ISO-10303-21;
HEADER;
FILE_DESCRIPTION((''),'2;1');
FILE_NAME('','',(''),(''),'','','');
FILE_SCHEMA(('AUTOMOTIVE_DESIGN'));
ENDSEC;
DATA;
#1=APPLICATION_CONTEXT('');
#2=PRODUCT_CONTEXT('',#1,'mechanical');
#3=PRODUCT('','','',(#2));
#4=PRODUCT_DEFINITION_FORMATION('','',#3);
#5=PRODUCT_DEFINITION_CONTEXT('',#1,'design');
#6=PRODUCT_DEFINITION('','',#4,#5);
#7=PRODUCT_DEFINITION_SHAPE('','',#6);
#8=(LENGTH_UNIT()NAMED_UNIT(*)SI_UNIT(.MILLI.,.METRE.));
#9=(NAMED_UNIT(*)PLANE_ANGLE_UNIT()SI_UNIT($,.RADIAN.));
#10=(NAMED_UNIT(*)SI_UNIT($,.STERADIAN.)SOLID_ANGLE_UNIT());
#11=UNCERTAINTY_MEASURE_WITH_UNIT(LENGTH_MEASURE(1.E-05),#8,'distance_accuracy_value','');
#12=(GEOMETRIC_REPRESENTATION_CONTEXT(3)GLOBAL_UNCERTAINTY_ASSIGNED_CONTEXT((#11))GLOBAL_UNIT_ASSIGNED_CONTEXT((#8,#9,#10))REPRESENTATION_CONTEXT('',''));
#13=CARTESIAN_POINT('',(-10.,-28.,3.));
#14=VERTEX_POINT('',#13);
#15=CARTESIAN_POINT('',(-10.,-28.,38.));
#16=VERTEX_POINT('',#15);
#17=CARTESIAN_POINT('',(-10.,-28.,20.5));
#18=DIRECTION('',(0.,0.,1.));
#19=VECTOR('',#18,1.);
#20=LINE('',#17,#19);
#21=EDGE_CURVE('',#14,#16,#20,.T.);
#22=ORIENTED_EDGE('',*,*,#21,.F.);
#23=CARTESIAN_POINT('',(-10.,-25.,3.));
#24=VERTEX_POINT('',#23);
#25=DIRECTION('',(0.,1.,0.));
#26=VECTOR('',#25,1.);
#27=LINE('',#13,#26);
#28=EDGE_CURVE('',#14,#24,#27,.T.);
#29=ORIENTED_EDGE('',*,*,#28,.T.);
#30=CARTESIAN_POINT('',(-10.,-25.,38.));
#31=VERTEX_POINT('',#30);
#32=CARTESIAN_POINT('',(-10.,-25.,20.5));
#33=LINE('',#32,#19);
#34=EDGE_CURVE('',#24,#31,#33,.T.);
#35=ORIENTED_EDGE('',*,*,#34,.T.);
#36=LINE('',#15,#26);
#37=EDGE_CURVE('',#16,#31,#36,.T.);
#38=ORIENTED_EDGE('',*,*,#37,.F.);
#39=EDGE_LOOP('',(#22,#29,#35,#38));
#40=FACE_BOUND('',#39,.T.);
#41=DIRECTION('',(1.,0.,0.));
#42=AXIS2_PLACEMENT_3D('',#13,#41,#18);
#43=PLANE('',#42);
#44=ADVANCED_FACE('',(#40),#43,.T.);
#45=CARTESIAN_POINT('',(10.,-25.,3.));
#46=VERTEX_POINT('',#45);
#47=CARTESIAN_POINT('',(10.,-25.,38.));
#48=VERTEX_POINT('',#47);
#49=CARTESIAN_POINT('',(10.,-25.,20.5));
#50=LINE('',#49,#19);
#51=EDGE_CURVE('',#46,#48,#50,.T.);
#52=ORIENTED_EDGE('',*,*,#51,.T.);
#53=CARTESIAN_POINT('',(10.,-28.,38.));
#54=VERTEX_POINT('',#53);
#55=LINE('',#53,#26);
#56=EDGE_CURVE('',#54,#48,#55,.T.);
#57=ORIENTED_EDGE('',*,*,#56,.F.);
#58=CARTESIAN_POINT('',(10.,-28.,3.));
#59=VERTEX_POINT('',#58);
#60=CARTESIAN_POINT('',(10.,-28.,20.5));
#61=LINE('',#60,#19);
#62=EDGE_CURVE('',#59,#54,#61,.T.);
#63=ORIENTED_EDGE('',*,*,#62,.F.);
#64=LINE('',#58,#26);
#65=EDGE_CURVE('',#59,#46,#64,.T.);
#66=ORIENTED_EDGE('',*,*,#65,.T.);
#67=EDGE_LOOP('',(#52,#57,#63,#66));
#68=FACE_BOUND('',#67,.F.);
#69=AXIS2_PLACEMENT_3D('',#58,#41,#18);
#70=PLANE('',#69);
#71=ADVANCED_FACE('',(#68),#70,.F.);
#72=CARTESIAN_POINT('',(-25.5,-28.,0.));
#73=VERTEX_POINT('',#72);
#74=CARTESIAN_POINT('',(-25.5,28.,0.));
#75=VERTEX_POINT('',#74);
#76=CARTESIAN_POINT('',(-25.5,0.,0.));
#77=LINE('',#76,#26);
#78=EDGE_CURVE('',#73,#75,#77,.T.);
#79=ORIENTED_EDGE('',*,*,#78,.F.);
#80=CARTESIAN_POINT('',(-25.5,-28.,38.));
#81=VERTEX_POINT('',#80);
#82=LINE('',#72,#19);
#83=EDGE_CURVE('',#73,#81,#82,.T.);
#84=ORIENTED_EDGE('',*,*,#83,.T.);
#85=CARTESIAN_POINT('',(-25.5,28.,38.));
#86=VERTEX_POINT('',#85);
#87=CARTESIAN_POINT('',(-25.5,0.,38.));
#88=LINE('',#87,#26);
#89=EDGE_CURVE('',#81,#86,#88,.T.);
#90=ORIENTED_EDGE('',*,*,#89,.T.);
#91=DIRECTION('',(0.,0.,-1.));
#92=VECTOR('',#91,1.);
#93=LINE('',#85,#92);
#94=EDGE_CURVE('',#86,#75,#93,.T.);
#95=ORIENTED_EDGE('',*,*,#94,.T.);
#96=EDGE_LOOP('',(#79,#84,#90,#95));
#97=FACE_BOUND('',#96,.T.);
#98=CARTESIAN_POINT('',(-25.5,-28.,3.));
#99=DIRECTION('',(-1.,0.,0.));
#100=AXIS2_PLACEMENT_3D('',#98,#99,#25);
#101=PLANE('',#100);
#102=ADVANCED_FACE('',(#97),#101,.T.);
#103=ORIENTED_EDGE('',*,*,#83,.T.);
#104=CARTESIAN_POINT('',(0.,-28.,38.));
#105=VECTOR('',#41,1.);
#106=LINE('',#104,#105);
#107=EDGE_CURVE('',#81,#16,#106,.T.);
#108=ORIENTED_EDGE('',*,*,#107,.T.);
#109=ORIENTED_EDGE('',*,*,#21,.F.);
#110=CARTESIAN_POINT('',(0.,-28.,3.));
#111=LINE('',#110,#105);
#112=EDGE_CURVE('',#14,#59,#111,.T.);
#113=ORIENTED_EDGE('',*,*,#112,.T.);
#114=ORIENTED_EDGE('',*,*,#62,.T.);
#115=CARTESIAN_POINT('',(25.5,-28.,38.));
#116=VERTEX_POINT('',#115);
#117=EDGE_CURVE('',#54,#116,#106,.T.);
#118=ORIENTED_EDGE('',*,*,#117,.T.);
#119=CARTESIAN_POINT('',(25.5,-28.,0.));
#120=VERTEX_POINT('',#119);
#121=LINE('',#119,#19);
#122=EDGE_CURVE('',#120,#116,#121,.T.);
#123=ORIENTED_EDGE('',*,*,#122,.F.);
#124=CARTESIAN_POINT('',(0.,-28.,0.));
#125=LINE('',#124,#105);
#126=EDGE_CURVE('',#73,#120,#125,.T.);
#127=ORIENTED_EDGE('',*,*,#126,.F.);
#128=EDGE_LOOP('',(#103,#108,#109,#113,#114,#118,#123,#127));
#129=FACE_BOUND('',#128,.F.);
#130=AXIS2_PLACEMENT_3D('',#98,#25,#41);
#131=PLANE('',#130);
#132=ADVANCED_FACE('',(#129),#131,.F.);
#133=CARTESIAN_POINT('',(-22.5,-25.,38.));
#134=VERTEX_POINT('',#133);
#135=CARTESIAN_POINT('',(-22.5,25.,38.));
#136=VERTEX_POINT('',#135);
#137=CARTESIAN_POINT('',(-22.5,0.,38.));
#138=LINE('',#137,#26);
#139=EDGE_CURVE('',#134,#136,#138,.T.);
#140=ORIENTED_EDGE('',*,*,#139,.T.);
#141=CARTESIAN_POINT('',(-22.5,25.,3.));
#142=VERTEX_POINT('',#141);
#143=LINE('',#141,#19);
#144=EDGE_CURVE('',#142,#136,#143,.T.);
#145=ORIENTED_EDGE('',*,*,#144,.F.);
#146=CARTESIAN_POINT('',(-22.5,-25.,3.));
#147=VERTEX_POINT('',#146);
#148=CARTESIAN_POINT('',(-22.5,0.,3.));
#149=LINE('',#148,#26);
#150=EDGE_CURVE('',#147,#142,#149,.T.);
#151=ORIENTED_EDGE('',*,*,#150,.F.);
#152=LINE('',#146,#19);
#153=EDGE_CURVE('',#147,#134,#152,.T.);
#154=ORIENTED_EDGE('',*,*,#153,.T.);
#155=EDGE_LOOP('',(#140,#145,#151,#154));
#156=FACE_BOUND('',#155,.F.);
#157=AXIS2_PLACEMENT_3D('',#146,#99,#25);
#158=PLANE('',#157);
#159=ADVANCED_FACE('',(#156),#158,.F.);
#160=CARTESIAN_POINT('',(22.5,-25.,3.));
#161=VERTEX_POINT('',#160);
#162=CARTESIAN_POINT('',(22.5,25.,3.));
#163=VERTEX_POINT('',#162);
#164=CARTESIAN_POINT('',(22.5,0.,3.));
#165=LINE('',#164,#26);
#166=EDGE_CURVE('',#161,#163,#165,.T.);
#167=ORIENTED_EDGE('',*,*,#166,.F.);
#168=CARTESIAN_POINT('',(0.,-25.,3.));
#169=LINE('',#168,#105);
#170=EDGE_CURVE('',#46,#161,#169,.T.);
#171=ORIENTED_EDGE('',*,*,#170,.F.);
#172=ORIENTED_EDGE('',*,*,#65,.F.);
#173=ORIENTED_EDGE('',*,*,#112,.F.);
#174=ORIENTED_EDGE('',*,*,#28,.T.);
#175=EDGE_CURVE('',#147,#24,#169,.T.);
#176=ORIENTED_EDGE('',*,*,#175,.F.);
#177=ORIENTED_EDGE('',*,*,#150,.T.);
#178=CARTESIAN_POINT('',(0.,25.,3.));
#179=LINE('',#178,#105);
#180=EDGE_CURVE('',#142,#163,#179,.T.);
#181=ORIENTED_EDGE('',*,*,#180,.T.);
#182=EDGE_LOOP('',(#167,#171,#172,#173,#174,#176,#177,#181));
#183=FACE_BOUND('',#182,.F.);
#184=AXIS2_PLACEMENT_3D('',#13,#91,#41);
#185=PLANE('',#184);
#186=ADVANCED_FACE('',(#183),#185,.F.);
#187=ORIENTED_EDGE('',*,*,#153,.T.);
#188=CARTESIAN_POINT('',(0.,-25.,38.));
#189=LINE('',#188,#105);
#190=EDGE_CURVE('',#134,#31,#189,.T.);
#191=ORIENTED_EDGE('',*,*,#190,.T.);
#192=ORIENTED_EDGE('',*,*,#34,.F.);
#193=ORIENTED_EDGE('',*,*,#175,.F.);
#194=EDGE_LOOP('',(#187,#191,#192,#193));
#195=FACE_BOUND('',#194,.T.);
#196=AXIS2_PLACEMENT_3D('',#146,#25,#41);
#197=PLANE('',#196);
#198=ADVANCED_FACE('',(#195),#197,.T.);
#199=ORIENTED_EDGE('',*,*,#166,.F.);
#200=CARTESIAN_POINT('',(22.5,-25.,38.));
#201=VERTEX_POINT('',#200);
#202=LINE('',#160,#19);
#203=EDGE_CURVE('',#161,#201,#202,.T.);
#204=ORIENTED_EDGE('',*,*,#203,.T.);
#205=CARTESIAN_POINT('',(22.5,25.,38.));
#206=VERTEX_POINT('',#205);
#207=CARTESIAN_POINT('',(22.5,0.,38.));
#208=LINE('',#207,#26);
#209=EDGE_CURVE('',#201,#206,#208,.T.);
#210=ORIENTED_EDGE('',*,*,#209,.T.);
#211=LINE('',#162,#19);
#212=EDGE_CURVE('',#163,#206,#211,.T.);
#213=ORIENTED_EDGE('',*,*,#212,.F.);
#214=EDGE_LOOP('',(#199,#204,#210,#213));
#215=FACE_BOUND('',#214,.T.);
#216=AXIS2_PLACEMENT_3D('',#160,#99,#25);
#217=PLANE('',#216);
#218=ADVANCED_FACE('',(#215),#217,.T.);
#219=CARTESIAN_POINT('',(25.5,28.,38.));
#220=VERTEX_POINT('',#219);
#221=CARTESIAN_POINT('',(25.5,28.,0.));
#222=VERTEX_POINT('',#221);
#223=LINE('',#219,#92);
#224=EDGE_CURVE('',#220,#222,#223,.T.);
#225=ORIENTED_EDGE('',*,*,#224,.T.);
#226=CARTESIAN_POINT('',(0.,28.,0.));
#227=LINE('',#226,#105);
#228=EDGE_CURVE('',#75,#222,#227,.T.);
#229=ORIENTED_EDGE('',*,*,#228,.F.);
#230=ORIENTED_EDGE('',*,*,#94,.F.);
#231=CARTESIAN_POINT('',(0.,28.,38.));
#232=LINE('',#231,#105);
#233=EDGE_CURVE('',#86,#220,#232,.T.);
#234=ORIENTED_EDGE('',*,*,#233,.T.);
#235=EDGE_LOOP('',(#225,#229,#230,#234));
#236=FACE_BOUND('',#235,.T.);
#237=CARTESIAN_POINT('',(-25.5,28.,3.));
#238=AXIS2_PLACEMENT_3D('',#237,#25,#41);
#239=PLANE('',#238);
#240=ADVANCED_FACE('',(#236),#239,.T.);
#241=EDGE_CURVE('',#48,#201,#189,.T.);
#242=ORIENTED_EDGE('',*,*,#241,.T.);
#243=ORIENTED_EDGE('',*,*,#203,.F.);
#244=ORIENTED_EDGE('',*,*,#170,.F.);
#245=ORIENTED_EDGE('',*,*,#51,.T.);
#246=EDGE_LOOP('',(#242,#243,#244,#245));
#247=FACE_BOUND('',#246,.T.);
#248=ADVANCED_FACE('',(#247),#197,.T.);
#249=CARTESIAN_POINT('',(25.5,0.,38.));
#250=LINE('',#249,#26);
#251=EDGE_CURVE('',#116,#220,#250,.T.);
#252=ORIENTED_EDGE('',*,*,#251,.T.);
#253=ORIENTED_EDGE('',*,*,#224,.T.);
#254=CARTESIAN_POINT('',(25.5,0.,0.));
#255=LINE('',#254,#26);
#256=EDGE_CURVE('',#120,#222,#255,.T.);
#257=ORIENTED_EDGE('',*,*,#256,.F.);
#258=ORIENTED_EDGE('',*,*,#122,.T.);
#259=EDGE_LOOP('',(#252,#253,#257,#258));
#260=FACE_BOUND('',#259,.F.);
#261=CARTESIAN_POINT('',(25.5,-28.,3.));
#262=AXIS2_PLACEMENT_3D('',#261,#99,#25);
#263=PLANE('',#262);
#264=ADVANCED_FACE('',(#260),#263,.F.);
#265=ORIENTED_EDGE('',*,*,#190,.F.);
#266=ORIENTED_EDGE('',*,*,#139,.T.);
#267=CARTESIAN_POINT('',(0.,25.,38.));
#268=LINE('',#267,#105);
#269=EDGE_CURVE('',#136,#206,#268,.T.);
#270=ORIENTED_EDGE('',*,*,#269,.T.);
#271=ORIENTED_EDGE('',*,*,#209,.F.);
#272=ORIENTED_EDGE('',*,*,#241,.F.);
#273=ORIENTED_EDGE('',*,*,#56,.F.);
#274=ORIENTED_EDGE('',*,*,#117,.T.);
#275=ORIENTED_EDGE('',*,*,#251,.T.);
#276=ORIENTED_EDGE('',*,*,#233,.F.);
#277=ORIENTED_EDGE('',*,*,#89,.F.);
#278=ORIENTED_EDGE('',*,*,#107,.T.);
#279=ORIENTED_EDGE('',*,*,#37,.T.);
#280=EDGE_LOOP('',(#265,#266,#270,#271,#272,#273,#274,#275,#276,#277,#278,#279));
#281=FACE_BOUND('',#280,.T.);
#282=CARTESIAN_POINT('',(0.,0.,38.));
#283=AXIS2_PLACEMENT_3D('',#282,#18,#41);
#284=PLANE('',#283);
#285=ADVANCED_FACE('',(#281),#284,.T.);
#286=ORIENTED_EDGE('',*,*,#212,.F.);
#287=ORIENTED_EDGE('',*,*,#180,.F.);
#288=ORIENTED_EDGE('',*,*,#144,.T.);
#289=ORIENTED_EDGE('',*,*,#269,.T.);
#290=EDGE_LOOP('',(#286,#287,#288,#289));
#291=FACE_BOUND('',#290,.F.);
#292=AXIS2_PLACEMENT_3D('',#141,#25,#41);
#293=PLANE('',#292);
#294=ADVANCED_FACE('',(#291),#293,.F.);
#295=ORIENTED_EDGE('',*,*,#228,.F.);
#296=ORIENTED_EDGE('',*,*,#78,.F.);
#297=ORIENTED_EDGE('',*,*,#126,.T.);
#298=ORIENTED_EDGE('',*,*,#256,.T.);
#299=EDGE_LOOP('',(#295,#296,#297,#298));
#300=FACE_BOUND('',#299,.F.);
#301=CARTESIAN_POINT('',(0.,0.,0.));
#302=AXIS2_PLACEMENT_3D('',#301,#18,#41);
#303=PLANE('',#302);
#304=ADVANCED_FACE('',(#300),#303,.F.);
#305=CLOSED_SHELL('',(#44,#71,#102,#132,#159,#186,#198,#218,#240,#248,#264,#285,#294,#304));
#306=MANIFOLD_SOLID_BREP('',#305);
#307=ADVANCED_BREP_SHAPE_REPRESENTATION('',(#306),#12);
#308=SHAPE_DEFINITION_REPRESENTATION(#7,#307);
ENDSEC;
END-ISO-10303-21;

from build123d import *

# Parameters (mm, degrees)
SKETCH_W      = 51
SKETCH_H      = 56
PAD_DEPTH     = 3
SKETCH001_W   = 51
SKETCH001_H   = 56
SKETCH001_W_2 = 45
SKETCH001_H_2 = 50
PAD001_DEPTH  = 35
SKETCH002_W   = 20
SKETCH002_H   = 35
POCKET_DEPTH  = 3


with BuildPart() as part:
    # Sketch → Pad (new body)
    with BuildSketch(Plane.XY):
        Rectangle(SKETCH_W, SKETCH_H)
    extrude(amount=PAD_DEPTH)

    # Sketch001 (on Face6 of Pad) → Pad001 (join)
    with BuildSketch(Plane.XY.offset(3)):
        Rectangle(SKETCH001_W, SKETCH001_H)
        Rectangle(SKETCH001_W_2, SKETCH001_H_2, mode=Mode.SUBTRACT)
    extrude(amount=PAD001_DEPTH)

    # Sketch002 (on Face10 of Pad001) → Pocket (cut)
    with BuildSketch(Plane.XZ.offset(28)):
        with Locations((0, 20.5)):
            Rectangle(SKETCH002_W, SKETCH002_H)
    extrude(amount=-POCKET_DEPTH, mode=Mode.SUBTRACT)


solid = part.part
